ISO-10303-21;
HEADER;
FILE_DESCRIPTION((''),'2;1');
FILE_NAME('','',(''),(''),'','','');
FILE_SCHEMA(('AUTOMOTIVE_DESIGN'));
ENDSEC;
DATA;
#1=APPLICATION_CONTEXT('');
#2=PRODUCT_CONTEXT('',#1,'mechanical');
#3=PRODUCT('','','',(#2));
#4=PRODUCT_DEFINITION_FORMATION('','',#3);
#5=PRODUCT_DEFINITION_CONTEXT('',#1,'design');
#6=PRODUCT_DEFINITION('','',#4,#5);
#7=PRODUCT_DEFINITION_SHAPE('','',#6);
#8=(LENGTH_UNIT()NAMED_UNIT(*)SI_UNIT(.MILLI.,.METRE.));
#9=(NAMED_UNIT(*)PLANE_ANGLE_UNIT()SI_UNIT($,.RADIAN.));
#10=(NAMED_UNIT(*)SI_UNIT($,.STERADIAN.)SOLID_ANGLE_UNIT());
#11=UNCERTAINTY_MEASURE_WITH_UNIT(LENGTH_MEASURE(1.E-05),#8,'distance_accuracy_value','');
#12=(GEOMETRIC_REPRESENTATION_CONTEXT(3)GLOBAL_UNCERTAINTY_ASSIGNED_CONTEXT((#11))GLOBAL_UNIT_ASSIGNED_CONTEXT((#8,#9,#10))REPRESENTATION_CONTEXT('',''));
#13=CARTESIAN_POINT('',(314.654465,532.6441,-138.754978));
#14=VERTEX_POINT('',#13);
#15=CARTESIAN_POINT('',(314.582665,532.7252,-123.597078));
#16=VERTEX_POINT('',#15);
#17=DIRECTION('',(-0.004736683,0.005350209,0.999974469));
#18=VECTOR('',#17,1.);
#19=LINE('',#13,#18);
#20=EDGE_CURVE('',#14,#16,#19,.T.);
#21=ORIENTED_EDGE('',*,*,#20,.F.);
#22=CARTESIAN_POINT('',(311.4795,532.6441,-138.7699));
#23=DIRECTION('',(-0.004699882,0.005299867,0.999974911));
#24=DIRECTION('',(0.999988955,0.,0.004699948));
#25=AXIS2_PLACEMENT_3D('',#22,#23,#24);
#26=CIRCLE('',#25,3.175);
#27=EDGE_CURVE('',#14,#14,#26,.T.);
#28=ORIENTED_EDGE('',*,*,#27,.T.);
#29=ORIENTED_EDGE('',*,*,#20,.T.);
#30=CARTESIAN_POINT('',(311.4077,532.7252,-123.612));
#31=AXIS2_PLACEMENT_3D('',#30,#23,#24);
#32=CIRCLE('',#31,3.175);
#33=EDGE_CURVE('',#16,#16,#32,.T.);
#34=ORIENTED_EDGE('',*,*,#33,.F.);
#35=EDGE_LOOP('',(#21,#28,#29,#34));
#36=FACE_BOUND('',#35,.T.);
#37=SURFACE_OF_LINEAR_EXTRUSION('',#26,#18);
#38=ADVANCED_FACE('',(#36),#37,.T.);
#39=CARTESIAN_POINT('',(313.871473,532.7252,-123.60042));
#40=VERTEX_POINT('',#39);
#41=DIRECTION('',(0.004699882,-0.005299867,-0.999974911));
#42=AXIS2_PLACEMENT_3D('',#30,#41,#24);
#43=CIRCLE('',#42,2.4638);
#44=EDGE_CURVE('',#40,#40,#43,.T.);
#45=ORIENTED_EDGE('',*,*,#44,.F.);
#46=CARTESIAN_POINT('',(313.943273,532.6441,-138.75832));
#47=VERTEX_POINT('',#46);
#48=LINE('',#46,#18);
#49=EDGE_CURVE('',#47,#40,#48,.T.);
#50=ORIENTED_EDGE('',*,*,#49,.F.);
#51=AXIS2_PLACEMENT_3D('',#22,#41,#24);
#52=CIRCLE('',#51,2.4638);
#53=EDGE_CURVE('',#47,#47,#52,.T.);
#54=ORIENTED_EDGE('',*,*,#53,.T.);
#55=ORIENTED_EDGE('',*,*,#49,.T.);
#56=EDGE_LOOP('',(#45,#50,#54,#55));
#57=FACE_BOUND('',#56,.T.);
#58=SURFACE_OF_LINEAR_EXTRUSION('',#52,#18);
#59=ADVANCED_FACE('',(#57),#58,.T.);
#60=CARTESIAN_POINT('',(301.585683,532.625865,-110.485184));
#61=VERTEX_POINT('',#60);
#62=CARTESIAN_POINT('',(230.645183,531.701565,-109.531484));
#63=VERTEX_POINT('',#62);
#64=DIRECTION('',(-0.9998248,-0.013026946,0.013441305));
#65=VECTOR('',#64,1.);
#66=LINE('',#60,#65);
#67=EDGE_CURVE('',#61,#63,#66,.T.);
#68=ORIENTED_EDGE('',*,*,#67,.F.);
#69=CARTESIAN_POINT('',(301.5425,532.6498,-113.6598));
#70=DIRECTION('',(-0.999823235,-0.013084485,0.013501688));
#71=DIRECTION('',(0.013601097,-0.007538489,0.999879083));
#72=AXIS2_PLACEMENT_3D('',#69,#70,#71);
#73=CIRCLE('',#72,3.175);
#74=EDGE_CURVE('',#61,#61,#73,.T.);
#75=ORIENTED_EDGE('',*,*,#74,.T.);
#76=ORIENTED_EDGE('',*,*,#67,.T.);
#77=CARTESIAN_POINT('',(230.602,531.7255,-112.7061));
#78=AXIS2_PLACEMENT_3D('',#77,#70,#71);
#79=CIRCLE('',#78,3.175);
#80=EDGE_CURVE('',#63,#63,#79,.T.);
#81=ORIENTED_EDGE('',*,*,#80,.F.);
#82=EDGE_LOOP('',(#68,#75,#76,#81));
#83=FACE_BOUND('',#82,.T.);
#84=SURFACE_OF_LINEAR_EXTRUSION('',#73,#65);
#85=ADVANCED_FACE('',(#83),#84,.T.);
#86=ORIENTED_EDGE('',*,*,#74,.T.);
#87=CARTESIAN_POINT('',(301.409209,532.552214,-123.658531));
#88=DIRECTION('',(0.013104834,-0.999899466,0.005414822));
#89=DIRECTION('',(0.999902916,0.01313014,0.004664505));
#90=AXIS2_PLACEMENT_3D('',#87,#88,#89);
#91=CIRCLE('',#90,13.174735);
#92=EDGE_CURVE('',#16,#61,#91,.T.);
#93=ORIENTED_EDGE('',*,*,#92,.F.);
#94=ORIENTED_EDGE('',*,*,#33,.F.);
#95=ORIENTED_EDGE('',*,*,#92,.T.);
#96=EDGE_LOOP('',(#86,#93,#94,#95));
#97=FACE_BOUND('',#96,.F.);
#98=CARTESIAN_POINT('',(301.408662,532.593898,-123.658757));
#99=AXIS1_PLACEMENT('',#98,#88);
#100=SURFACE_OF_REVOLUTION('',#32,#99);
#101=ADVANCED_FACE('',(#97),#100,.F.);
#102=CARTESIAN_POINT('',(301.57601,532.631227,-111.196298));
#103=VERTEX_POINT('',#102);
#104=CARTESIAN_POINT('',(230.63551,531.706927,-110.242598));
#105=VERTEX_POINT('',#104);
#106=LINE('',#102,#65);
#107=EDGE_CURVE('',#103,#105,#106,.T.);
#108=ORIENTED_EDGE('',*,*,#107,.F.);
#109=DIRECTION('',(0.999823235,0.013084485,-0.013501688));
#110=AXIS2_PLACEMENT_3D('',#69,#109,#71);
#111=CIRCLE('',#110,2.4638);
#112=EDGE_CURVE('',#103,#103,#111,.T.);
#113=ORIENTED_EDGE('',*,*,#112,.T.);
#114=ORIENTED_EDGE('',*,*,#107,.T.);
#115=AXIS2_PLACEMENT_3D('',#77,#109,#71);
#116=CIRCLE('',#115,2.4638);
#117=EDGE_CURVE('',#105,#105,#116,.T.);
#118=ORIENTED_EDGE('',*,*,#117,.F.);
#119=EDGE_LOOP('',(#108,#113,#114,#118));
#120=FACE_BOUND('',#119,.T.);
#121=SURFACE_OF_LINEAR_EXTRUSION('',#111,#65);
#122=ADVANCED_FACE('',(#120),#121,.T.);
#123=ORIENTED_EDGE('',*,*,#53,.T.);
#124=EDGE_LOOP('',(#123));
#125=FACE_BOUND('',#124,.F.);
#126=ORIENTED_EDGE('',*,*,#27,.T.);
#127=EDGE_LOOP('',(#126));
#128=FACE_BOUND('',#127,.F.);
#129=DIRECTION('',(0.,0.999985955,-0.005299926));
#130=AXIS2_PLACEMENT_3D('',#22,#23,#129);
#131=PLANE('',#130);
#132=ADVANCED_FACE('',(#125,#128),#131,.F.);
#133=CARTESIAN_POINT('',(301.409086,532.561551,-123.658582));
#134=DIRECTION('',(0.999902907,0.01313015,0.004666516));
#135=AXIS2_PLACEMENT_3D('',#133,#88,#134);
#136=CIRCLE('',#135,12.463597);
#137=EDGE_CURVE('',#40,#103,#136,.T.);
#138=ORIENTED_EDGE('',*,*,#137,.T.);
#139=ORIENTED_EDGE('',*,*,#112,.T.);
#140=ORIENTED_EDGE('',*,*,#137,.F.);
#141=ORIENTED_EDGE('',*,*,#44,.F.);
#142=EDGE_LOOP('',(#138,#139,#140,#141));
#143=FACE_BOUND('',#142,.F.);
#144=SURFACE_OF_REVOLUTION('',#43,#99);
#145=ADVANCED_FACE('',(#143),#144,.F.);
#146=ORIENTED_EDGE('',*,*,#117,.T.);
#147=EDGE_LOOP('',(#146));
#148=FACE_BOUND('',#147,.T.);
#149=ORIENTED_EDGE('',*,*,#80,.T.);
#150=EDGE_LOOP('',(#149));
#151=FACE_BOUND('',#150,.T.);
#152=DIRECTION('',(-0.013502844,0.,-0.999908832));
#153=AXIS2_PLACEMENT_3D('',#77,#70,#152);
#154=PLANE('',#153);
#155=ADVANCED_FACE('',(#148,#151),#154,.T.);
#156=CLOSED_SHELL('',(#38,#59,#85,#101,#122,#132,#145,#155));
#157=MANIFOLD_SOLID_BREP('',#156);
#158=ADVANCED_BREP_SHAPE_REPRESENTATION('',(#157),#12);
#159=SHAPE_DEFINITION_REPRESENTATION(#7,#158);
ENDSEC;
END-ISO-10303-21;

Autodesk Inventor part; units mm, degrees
ref_plane "YZ Plane" through (0, 0, 0) normal (1, 0, 0) x (0, 1, 0)
ref_plane "XZ Plane" through (0, 0, 0) normal (0, 1, 0) x (-1, 0, 0)
ref_plane "Work Plane5" through (311.4795, 532.6441, -138.7699) normal (-0.0047, 0.0053, 1) x (1, 0, 0.0047)
sketch "Sketch5" plane through (311.4795, 532.6441, -138.7699) normal (-0.0047, 0.0053, 1) x (1, 0, 0.0047)
  circle A0 centre (0, 0) radius 3.175
  circle A1 centre (0, 0) radius 2.4638
sketch3d "3D Sketch3"
  line L0 (311.4795, 532.6441, -138.7699) -> (311.4077, 532.7252, -123.612)
  arc A0 (311.4077, 532.7252, -123.612) -> (301.5425, 532.6498, -113.6598) centre (301.4088, 532.5939, -123.6587) ccw
  line L1 (301.5425, 532.6498, -113.6598) -> (230.602, 531.7255, -112.7061)
  dimension "d12" = 9.9999
sweep "Sweep3" add profiles "Sketch5" path "3D Sketch3"
equation "\"OD\" = 6.35"
equation "\"t\" = 0.7112"
equation "\"L\" = PL"
equation "\"ID\" = 4.9276"
equation "\"PL\" = 101.6254"
equation "\"D\" = 15.24"
equation "\"Size_Designation\" = 1.2345"
properties material "Stainless Steel"
